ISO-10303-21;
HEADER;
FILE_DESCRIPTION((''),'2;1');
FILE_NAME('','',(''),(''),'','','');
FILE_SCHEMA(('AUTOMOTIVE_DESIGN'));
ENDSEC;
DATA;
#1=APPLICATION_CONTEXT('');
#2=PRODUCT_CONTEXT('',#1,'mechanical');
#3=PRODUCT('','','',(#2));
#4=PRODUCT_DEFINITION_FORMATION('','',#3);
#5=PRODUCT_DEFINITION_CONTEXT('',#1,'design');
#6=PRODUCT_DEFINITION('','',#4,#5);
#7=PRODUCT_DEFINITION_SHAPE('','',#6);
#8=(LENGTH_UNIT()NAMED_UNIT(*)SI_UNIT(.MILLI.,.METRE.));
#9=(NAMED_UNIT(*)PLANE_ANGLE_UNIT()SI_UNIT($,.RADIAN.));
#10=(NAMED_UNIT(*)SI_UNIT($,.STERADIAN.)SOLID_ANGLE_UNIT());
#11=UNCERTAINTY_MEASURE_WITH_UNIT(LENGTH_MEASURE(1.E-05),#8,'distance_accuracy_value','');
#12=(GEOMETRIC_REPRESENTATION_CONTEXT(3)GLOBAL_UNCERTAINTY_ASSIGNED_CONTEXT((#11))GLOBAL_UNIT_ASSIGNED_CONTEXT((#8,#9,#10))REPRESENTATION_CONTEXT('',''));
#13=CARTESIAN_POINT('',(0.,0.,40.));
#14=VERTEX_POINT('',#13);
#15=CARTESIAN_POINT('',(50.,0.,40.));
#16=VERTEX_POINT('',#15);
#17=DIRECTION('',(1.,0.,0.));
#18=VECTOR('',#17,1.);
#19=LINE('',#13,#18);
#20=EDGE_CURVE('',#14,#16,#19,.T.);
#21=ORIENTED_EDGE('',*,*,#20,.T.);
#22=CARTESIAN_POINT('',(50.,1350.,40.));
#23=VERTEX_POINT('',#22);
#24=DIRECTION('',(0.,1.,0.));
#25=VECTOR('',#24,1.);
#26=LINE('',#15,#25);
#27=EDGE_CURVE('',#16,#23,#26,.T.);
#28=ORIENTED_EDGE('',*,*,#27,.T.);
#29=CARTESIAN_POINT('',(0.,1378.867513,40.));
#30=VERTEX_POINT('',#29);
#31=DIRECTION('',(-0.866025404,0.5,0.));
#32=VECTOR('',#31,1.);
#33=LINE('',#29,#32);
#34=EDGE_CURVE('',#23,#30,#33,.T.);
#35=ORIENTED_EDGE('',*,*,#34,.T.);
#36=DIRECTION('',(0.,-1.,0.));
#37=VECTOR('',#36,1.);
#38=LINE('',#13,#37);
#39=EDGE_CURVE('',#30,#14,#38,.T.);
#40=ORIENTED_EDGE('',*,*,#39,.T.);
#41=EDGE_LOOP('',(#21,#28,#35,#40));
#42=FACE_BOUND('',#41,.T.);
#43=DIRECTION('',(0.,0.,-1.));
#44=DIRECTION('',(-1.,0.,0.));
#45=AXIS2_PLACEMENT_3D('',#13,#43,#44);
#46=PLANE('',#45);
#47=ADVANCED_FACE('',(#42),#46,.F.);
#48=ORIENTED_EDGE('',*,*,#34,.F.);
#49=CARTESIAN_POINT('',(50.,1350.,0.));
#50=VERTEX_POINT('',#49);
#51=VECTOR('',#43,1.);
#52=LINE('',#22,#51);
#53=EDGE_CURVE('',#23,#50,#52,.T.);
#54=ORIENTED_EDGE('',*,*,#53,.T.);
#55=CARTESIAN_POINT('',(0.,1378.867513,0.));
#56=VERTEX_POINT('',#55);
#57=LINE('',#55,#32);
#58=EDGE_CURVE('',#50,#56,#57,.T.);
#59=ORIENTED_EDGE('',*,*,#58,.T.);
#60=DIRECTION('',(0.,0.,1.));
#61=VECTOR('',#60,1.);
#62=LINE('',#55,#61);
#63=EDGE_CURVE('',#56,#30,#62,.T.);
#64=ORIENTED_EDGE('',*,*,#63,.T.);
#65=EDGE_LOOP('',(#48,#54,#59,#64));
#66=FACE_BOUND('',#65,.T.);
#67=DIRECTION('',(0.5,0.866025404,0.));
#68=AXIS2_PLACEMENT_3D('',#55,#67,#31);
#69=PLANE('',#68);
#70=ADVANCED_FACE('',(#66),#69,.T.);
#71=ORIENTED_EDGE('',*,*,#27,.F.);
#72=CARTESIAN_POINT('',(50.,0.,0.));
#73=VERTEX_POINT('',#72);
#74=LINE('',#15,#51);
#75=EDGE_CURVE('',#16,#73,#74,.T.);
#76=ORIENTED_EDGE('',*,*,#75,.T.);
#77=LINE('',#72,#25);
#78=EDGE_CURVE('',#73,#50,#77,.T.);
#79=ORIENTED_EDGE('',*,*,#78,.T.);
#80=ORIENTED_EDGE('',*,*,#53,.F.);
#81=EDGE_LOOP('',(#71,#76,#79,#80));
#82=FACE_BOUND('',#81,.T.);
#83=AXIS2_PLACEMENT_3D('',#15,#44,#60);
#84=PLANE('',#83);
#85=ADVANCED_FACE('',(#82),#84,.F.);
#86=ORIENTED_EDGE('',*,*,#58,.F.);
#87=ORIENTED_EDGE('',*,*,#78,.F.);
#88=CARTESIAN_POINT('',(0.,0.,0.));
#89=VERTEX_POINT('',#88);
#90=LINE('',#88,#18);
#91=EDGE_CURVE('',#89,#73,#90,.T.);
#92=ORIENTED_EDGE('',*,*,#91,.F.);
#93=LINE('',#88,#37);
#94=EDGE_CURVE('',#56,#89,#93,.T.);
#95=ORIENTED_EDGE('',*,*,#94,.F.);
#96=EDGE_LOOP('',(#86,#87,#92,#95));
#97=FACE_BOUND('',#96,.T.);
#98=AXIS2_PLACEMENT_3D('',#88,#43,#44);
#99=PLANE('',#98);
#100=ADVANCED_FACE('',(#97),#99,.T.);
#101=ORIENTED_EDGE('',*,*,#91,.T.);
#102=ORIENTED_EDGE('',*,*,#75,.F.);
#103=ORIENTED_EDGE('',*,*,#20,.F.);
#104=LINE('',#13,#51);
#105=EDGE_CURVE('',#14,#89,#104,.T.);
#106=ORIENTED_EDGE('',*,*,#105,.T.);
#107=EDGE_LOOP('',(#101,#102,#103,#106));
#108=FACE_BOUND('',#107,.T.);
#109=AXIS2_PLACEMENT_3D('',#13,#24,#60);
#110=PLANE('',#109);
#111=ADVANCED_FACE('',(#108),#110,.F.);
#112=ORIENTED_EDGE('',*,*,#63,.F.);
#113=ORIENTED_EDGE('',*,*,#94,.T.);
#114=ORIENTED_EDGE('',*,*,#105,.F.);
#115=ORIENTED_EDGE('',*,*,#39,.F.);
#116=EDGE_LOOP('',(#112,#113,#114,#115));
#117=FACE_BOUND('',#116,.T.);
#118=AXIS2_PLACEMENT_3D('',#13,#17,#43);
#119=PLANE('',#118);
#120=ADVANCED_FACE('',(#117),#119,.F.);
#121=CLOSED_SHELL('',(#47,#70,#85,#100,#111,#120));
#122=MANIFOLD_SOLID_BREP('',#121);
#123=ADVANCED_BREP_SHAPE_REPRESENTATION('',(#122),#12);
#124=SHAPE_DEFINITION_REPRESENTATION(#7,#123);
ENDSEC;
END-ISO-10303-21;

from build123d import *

# Parameters (mm, degrees)
ESQUISSE1_W        = 50
ESQUISSE1_H        = 1350
BOSS_EXTRU_1_DEPTH = 40
BOSS_EXTRU_2_DEPTH = 40


with BuildPart() as part:
    # Esquisse1 → Boss.-Extru.1 (new body)
    with BuildSketch(Plane.XY):
        with Locations((25, 675)):
            Rectangle(ESQUISSE1_W, ESQUISSE1_H)
    extrude(amount=BOSS_EXTRU_1_DEPTH)

    # Esquisse2 → Boss.-Extru.2 (add)
    with BuildSketch(Plane.XY.offset(40)):
        Polygon((50, 1350), (0, 1350), (0, 1378.867513459), align=None)
    extrude(amount=-BOSS_EXTRU_2_DEPTH)


solid = part.part
